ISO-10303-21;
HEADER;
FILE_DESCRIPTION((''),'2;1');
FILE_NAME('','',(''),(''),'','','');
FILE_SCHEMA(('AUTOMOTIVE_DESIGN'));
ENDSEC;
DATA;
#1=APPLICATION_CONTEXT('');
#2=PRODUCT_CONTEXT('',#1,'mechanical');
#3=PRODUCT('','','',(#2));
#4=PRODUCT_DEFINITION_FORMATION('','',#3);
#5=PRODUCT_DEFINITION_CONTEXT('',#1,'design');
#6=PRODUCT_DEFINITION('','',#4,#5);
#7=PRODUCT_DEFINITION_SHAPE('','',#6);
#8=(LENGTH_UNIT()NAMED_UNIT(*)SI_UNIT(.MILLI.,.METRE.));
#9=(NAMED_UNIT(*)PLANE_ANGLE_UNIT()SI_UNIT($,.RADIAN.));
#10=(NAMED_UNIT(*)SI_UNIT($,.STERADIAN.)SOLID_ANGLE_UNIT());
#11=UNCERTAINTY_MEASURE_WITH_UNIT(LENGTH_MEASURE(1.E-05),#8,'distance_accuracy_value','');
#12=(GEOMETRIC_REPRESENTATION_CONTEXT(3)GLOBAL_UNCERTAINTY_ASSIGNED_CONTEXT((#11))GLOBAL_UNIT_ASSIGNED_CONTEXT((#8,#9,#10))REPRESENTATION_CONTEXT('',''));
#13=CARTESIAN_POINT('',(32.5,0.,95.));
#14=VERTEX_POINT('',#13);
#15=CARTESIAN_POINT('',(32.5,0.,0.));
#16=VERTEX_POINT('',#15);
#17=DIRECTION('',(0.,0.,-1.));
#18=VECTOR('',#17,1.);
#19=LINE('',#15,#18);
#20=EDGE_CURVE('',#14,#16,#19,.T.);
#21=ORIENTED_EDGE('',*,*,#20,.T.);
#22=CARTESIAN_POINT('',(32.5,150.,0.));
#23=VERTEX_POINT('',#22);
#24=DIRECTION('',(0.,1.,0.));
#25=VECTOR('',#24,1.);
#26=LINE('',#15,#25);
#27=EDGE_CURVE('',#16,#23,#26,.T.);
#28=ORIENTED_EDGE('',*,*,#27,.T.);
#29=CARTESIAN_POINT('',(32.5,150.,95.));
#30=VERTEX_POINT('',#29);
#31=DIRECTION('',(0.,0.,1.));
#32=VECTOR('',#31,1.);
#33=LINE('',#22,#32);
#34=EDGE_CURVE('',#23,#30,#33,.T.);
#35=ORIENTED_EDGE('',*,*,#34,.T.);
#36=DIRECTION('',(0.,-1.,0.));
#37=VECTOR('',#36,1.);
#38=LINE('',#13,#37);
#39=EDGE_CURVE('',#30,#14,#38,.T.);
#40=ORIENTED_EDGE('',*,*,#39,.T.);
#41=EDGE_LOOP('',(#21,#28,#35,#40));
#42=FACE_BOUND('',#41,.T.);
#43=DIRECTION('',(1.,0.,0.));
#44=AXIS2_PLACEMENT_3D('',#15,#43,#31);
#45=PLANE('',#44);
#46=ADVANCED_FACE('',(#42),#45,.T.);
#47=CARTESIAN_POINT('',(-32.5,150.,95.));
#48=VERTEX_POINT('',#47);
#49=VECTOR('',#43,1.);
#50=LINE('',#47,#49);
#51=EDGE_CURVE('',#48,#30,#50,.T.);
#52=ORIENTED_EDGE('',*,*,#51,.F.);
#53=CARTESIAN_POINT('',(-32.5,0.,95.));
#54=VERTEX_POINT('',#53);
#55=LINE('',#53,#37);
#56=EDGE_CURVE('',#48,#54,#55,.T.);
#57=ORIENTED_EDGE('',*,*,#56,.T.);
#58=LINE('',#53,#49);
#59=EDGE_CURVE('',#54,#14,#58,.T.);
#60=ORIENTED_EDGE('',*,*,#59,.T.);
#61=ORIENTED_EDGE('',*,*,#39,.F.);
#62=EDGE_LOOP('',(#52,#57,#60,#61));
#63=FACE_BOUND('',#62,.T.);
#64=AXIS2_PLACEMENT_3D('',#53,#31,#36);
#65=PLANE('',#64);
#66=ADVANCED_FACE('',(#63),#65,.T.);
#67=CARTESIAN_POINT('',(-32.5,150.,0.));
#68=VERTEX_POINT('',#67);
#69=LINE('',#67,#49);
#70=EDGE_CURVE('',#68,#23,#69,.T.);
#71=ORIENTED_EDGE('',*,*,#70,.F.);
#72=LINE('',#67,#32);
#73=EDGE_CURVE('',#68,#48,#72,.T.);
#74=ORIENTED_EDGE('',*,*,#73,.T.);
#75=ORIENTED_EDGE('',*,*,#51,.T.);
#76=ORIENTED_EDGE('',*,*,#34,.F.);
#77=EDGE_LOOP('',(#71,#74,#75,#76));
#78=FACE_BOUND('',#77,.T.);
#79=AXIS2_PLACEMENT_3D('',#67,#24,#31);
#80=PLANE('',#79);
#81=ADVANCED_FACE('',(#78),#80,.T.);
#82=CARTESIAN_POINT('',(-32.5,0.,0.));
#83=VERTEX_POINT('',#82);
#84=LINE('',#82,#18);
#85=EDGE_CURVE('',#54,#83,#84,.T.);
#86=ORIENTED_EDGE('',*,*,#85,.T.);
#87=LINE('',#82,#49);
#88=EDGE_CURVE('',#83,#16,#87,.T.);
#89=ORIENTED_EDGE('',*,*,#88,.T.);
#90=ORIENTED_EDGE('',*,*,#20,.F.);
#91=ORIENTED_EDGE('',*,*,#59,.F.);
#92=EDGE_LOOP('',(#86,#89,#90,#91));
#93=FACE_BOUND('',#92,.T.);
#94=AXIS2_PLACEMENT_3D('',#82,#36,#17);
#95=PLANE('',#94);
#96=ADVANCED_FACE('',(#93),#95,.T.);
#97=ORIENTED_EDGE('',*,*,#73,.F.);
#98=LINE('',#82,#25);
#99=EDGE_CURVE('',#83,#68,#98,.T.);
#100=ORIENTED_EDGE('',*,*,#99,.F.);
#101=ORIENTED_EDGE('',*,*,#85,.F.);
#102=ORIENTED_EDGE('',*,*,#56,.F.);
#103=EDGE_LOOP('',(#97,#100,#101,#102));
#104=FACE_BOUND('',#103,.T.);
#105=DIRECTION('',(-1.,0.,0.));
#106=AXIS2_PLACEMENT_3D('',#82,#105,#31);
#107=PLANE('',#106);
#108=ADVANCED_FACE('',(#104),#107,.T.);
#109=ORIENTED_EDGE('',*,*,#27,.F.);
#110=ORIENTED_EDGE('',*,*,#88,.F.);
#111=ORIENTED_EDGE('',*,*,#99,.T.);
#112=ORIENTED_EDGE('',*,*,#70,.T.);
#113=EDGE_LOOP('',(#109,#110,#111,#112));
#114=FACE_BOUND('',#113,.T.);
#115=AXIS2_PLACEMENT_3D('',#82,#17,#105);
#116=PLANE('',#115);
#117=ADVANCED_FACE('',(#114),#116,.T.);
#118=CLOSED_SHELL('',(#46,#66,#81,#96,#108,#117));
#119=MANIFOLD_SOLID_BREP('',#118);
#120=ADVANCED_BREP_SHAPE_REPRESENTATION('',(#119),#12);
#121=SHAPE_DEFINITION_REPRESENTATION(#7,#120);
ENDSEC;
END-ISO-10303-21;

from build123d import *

# Parameters (mm, degrees)
SKETCH1_W           = 150
SKETCH1_H           = 95
BOSS_EXTRUDE1_DEPTH = 32.5


with BuildPart() as part:
    # Sketch1 → Boss-Extrude1 (new body)
    with BuildSketch(Plane.YZ):
        with Locations((75, 47.5)):
            Rectangle(SKETCH1_W, SKETCH1_H)
    extrude(amount=-BOSS_EXTRUDE1_DEPTH)

    # Mirror1: part across plane


with BuildPart() as part_1:
    add(part.part)
    add(part.part.mirror(Plane.ZY))


solid = part_1.part
